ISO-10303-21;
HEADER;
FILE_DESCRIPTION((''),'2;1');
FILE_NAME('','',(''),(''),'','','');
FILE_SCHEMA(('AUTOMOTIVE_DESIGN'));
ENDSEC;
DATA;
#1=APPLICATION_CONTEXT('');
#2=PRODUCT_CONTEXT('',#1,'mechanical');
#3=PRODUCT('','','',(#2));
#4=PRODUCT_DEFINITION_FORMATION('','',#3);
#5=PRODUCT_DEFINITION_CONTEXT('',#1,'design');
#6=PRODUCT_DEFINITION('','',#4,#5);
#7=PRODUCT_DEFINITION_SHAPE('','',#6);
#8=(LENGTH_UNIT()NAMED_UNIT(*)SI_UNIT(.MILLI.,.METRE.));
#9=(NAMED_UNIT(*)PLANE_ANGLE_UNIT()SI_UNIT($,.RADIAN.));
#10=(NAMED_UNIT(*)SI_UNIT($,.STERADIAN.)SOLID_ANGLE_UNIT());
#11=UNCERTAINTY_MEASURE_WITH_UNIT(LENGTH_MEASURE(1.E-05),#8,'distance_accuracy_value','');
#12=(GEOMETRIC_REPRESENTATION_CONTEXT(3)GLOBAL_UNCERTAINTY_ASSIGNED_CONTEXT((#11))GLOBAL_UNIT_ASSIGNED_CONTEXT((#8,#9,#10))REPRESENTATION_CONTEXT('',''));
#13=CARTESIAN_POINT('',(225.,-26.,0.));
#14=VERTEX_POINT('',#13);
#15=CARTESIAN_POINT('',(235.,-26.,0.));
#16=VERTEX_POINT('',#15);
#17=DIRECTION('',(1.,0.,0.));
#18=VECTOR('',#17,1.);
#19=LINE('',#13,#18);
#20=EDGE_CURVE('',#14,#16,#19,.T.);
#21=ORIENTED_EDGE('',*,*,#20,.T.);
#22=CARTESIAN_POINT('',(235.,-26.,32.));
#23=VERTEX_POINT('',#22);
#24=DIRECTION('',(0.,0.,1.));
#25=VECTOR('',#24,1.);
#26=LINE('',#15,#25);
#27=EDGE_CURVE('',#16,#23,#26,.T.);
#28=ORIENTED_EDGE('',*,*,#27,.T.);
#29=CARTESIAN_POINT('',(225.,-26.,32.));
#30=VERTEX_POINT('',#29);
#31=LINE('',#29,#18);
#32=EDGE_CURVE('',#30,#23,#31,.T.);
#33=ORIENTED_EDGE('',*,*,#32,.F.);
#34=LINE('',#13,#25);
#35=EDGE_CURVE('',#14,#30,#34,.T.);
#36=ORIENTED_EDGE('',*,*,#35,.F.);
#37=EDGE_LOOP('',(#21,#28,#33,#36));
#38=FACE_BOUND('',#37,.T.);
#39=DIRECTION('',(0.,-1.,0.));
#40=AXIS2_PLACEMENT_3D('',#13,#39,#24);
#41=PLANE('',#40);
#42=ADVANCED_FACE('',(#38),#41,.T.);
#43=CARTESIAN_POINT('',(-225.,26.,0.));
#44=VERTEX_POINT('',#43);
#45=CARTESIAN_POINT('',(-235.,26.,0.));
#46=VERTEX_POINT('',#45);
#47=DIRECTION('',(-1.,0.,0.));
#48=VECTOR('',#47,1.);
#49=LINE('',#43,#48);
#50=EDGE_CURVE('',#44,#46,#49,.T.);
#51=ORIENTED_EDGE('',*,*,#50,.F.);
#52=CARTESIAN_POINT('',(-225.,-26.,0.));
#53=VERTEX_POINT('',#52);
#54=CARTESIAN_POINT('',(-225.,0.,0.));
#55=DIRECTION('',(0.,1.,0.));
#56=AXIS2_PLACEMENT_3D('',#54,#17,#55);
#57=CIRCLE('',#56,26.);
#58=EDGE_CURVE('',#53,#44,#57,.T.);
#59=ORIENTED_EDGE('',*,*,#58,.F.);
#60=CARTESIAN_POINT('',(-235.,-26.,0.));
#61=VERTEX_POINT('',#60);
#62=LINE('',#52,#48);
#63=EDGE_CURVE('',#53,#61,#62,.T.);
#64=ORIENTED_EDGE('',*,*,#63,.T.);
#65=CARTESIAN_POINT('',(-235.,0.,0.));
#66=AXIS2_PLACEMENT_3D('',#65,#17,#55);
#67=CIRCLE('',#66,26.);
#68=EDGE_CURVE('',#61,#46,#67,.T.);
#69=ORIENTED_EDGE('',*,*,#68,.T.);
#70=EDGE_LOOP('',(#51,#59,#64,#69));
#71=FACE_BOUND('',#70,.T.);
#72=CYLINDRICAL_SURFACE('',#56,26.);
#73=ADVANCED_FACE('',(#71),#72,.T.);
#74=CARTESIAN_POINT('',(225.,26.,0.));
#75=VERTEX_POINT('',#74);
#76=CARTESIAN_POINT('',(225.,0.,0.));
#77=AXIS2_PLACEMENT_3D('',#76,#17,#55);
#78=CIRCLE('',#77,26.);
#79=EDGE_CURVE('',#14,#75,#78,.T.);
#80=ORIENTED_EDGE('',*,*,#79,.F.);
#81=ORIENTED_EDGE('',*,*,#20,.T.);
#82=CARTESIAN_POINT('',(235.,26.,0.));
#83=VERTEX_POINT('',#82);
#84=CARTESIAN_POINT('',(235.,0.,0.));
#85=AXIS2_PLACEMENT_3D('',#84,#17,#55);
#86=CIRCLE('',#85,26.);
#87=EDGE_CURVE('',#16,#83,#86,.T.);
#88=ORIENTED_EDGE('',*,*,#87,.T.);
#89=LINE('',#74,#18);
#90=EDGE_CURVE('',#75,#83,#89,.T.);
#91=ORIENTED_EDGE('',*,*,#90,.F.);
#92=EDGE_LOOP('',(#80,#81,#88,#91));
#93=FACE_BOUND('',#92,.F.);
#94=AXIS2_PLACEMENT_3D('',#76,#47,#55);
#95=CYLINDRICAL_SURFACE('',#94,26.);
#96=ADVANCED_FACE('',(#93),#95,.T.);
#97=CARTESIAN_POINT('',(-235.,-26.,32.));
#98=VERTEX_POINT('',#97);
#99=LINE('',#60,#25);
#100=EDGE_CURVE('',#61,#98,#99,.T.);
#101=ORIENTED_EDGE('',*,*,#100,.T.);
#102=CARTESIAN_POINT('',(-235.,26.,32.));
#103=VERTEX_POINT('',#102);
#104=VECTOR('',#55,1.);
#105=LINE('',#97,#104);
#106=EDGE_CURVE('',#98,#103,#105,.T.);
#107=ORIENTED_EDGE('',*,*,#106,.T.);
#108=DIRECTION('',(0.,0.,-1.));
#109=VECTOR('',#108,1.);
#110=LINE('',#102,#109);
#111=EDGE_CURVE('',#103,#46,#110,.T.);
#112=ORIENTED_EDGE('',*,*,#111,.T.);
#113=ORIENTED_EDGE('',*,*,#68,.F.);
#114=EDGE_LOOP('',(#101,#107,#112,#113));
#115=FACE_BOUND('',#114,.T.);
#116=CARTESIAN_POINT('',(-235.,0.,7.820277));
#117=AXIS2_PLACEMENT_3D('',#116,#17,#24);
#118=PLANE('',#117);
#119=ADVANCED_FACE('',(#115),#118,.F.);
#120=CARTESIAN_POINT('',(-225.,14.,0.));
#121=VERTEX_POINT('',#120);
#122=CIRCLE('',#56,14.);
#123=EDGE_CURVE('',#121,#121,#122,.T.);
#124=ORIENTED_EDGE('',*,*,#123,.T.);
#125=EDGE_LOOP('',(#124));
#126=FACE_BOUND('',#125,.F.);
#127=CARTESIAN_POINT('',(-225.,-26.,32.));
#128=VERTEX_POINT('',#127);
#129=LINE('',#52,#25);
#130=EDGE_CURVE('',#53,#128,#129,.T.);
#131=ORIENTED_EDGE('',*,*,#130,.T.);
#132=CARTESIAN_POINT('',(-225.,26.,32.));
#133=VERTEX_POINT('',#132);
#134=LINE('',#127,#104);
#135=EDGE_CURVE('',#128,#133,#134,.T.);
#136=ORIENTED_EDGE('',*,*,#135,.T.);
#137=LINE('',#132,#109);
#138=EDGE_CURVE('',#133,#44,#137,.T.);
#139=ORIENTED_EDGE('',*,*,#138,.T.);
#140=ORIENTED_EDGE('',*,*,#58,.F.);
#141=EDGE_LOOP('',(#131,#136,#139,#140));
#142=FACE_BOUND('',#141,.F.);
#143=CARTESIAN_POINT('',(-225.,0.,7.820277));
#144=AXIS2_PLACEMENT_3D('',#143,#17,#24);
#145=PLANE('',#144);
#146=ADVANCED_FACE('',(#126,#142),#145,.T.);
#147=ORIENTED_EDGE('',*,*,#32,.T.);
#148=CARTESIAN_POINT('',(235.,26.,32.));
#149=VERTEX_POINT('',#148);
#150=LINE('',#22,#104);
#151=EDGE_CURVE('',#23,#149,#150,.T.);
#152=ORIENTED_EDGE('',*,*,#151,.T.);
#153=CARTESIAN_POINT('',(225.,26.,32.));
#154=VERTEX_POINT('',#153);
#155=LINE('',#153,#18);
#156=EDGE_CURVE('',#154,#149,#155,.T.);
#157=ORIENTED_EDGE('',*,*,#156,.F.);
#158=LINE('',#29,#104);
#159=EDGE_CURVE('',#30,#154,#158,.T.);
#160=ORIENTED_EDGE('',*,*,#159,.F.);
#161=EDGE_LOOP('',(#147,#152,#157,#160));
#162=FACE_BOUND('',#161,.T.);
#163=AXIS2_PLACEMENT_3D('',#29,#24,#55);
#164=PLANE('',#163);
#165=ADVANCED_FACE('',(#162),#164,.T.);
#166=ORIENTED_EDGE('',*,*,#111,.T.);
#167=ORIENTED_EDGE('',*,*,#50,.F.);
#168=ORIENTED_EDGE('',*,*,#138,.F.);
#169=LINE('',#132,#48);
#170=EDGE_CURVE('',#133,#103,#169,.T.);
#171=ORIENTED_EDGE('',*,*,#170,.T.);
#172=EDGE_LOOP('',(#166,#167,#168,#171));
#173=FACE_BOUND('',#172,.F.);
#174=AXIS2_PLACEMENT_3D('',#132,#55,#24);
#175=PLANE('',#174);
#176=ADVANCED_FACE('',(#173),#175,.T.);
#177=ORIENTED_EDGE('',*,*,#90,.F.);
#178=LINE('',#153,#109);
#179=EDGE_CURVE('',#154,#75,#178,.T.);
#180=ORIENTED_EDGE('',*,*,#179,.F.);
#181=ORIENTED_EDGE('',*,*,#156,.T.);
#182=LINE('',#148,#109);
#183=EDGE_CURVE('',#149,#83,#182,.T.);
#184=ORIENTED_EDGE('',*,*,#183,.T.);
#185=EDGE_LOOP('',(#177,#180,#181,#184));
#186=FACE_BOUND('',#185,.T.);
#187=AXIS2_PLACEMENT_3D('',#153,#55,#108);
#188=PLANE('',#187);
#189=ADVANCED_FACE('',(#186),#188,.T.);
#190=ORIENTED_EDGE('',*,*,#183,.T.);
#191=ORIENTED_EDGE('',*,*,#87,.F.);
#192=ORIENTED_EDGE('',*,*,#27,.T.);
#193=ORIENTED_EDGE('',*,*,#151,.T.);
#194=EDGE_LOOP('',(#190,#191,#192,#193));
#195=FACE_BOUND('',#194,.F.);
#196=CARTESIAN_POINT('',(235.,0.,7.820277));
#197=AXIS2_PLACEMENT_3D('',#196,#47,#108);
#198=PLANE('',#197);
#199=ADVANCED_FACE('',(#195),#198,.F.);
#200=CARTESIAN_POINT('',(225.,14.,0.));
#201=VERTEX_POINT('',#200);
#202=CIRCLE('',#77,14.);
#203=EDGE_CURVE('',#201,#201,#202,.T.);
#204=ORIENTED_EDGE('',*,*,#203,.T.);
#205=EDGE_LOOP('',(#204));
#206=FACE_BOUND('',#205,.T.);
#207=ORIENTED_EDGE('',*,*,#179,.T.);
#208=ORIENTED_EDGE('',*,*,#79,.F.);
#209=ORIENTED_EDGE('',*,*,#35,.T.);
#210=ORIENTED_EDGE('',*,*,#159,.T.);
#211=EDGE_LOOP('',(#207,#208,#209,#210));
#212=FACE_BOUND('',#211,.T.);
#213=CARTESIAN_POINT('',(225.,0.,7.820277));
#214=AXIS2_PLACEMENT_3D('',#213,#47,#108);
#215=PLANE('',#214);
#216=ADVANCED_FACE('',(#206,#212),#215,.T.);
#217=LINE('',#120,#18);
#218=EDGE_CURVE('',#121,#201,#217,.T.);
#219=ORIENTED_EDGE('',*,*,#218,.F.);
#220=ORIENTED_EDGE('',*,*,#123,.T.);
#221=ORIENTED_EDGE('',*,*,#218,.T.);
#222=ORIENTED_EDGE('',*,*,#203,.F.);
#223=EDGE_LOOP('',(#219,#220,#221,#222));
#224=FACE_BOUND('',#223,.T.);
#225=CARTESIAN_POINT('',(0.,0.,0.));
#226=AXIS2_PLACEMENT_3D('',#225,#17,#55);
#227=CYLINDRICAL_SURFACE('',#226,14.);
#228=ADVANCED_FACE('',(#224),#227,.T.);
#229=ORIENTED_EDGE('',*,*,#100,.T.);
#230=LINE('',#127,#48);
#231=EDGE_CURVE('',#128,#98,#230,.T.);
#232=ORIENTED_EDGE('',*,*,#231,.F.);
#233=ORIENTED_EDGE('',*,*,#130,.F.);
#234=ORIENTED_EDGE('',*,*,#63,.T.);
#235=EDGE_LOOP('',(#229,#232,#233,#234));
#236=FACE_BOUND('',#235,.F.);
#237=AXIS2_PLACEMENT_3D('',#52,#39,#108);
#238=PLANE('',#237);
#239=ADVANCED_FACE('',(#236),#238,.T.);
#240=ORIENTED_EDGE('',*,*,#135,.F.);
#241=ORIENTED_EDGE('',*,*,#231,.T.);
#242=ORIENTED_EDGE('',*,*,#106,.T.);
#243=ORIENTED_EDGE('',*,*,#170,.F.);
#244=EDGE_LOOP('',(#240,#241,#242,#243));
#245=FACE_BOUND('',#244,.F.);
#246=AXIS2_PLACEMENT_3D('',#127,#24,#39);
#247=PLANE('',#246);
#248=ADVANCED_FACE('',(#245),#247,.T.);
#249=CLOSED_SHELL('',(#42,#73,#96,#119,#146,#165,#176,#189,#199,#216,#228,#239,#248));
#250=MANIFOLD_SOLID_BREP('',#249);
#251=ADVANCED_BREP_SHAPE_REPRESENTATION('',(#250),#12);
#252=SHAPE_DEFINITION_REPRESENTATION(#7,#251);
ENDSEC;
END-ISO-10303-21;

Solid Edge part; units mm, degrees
sketch "Sketch1" plane through (0, 0, 0) normal (1, 0, 0) x (0, 1, 0)
  circle A0 centre (0, 0) radius 14
  dimension "D1" = 28
extrude "Protrusion1" add sketch "Sketch1" along normal mid plane 450
sketch "Sketch2" plane through (225, 0, 0) normal (1, 0, 0) x (0, 1, 0)
  line L0 (-26, 0) -> (-26, 32)
  line L1 (-26, 32) -> (26, 32)
  line L2 (26, 32) -> (26, 0)
  arc A0 (-26, 0) -> (26, 0) centre (0, 0) ccw
  dimension "D1" = 26
  dimension "D2" = 26
  dimension "D3" = 32
extrude "Protrusion2" add sketch "Sketch2" along normal blind 10
mirror "Mirror1" about plane through (0, 0, 0) normal (1, 0, 0) of "Protrusion2"
